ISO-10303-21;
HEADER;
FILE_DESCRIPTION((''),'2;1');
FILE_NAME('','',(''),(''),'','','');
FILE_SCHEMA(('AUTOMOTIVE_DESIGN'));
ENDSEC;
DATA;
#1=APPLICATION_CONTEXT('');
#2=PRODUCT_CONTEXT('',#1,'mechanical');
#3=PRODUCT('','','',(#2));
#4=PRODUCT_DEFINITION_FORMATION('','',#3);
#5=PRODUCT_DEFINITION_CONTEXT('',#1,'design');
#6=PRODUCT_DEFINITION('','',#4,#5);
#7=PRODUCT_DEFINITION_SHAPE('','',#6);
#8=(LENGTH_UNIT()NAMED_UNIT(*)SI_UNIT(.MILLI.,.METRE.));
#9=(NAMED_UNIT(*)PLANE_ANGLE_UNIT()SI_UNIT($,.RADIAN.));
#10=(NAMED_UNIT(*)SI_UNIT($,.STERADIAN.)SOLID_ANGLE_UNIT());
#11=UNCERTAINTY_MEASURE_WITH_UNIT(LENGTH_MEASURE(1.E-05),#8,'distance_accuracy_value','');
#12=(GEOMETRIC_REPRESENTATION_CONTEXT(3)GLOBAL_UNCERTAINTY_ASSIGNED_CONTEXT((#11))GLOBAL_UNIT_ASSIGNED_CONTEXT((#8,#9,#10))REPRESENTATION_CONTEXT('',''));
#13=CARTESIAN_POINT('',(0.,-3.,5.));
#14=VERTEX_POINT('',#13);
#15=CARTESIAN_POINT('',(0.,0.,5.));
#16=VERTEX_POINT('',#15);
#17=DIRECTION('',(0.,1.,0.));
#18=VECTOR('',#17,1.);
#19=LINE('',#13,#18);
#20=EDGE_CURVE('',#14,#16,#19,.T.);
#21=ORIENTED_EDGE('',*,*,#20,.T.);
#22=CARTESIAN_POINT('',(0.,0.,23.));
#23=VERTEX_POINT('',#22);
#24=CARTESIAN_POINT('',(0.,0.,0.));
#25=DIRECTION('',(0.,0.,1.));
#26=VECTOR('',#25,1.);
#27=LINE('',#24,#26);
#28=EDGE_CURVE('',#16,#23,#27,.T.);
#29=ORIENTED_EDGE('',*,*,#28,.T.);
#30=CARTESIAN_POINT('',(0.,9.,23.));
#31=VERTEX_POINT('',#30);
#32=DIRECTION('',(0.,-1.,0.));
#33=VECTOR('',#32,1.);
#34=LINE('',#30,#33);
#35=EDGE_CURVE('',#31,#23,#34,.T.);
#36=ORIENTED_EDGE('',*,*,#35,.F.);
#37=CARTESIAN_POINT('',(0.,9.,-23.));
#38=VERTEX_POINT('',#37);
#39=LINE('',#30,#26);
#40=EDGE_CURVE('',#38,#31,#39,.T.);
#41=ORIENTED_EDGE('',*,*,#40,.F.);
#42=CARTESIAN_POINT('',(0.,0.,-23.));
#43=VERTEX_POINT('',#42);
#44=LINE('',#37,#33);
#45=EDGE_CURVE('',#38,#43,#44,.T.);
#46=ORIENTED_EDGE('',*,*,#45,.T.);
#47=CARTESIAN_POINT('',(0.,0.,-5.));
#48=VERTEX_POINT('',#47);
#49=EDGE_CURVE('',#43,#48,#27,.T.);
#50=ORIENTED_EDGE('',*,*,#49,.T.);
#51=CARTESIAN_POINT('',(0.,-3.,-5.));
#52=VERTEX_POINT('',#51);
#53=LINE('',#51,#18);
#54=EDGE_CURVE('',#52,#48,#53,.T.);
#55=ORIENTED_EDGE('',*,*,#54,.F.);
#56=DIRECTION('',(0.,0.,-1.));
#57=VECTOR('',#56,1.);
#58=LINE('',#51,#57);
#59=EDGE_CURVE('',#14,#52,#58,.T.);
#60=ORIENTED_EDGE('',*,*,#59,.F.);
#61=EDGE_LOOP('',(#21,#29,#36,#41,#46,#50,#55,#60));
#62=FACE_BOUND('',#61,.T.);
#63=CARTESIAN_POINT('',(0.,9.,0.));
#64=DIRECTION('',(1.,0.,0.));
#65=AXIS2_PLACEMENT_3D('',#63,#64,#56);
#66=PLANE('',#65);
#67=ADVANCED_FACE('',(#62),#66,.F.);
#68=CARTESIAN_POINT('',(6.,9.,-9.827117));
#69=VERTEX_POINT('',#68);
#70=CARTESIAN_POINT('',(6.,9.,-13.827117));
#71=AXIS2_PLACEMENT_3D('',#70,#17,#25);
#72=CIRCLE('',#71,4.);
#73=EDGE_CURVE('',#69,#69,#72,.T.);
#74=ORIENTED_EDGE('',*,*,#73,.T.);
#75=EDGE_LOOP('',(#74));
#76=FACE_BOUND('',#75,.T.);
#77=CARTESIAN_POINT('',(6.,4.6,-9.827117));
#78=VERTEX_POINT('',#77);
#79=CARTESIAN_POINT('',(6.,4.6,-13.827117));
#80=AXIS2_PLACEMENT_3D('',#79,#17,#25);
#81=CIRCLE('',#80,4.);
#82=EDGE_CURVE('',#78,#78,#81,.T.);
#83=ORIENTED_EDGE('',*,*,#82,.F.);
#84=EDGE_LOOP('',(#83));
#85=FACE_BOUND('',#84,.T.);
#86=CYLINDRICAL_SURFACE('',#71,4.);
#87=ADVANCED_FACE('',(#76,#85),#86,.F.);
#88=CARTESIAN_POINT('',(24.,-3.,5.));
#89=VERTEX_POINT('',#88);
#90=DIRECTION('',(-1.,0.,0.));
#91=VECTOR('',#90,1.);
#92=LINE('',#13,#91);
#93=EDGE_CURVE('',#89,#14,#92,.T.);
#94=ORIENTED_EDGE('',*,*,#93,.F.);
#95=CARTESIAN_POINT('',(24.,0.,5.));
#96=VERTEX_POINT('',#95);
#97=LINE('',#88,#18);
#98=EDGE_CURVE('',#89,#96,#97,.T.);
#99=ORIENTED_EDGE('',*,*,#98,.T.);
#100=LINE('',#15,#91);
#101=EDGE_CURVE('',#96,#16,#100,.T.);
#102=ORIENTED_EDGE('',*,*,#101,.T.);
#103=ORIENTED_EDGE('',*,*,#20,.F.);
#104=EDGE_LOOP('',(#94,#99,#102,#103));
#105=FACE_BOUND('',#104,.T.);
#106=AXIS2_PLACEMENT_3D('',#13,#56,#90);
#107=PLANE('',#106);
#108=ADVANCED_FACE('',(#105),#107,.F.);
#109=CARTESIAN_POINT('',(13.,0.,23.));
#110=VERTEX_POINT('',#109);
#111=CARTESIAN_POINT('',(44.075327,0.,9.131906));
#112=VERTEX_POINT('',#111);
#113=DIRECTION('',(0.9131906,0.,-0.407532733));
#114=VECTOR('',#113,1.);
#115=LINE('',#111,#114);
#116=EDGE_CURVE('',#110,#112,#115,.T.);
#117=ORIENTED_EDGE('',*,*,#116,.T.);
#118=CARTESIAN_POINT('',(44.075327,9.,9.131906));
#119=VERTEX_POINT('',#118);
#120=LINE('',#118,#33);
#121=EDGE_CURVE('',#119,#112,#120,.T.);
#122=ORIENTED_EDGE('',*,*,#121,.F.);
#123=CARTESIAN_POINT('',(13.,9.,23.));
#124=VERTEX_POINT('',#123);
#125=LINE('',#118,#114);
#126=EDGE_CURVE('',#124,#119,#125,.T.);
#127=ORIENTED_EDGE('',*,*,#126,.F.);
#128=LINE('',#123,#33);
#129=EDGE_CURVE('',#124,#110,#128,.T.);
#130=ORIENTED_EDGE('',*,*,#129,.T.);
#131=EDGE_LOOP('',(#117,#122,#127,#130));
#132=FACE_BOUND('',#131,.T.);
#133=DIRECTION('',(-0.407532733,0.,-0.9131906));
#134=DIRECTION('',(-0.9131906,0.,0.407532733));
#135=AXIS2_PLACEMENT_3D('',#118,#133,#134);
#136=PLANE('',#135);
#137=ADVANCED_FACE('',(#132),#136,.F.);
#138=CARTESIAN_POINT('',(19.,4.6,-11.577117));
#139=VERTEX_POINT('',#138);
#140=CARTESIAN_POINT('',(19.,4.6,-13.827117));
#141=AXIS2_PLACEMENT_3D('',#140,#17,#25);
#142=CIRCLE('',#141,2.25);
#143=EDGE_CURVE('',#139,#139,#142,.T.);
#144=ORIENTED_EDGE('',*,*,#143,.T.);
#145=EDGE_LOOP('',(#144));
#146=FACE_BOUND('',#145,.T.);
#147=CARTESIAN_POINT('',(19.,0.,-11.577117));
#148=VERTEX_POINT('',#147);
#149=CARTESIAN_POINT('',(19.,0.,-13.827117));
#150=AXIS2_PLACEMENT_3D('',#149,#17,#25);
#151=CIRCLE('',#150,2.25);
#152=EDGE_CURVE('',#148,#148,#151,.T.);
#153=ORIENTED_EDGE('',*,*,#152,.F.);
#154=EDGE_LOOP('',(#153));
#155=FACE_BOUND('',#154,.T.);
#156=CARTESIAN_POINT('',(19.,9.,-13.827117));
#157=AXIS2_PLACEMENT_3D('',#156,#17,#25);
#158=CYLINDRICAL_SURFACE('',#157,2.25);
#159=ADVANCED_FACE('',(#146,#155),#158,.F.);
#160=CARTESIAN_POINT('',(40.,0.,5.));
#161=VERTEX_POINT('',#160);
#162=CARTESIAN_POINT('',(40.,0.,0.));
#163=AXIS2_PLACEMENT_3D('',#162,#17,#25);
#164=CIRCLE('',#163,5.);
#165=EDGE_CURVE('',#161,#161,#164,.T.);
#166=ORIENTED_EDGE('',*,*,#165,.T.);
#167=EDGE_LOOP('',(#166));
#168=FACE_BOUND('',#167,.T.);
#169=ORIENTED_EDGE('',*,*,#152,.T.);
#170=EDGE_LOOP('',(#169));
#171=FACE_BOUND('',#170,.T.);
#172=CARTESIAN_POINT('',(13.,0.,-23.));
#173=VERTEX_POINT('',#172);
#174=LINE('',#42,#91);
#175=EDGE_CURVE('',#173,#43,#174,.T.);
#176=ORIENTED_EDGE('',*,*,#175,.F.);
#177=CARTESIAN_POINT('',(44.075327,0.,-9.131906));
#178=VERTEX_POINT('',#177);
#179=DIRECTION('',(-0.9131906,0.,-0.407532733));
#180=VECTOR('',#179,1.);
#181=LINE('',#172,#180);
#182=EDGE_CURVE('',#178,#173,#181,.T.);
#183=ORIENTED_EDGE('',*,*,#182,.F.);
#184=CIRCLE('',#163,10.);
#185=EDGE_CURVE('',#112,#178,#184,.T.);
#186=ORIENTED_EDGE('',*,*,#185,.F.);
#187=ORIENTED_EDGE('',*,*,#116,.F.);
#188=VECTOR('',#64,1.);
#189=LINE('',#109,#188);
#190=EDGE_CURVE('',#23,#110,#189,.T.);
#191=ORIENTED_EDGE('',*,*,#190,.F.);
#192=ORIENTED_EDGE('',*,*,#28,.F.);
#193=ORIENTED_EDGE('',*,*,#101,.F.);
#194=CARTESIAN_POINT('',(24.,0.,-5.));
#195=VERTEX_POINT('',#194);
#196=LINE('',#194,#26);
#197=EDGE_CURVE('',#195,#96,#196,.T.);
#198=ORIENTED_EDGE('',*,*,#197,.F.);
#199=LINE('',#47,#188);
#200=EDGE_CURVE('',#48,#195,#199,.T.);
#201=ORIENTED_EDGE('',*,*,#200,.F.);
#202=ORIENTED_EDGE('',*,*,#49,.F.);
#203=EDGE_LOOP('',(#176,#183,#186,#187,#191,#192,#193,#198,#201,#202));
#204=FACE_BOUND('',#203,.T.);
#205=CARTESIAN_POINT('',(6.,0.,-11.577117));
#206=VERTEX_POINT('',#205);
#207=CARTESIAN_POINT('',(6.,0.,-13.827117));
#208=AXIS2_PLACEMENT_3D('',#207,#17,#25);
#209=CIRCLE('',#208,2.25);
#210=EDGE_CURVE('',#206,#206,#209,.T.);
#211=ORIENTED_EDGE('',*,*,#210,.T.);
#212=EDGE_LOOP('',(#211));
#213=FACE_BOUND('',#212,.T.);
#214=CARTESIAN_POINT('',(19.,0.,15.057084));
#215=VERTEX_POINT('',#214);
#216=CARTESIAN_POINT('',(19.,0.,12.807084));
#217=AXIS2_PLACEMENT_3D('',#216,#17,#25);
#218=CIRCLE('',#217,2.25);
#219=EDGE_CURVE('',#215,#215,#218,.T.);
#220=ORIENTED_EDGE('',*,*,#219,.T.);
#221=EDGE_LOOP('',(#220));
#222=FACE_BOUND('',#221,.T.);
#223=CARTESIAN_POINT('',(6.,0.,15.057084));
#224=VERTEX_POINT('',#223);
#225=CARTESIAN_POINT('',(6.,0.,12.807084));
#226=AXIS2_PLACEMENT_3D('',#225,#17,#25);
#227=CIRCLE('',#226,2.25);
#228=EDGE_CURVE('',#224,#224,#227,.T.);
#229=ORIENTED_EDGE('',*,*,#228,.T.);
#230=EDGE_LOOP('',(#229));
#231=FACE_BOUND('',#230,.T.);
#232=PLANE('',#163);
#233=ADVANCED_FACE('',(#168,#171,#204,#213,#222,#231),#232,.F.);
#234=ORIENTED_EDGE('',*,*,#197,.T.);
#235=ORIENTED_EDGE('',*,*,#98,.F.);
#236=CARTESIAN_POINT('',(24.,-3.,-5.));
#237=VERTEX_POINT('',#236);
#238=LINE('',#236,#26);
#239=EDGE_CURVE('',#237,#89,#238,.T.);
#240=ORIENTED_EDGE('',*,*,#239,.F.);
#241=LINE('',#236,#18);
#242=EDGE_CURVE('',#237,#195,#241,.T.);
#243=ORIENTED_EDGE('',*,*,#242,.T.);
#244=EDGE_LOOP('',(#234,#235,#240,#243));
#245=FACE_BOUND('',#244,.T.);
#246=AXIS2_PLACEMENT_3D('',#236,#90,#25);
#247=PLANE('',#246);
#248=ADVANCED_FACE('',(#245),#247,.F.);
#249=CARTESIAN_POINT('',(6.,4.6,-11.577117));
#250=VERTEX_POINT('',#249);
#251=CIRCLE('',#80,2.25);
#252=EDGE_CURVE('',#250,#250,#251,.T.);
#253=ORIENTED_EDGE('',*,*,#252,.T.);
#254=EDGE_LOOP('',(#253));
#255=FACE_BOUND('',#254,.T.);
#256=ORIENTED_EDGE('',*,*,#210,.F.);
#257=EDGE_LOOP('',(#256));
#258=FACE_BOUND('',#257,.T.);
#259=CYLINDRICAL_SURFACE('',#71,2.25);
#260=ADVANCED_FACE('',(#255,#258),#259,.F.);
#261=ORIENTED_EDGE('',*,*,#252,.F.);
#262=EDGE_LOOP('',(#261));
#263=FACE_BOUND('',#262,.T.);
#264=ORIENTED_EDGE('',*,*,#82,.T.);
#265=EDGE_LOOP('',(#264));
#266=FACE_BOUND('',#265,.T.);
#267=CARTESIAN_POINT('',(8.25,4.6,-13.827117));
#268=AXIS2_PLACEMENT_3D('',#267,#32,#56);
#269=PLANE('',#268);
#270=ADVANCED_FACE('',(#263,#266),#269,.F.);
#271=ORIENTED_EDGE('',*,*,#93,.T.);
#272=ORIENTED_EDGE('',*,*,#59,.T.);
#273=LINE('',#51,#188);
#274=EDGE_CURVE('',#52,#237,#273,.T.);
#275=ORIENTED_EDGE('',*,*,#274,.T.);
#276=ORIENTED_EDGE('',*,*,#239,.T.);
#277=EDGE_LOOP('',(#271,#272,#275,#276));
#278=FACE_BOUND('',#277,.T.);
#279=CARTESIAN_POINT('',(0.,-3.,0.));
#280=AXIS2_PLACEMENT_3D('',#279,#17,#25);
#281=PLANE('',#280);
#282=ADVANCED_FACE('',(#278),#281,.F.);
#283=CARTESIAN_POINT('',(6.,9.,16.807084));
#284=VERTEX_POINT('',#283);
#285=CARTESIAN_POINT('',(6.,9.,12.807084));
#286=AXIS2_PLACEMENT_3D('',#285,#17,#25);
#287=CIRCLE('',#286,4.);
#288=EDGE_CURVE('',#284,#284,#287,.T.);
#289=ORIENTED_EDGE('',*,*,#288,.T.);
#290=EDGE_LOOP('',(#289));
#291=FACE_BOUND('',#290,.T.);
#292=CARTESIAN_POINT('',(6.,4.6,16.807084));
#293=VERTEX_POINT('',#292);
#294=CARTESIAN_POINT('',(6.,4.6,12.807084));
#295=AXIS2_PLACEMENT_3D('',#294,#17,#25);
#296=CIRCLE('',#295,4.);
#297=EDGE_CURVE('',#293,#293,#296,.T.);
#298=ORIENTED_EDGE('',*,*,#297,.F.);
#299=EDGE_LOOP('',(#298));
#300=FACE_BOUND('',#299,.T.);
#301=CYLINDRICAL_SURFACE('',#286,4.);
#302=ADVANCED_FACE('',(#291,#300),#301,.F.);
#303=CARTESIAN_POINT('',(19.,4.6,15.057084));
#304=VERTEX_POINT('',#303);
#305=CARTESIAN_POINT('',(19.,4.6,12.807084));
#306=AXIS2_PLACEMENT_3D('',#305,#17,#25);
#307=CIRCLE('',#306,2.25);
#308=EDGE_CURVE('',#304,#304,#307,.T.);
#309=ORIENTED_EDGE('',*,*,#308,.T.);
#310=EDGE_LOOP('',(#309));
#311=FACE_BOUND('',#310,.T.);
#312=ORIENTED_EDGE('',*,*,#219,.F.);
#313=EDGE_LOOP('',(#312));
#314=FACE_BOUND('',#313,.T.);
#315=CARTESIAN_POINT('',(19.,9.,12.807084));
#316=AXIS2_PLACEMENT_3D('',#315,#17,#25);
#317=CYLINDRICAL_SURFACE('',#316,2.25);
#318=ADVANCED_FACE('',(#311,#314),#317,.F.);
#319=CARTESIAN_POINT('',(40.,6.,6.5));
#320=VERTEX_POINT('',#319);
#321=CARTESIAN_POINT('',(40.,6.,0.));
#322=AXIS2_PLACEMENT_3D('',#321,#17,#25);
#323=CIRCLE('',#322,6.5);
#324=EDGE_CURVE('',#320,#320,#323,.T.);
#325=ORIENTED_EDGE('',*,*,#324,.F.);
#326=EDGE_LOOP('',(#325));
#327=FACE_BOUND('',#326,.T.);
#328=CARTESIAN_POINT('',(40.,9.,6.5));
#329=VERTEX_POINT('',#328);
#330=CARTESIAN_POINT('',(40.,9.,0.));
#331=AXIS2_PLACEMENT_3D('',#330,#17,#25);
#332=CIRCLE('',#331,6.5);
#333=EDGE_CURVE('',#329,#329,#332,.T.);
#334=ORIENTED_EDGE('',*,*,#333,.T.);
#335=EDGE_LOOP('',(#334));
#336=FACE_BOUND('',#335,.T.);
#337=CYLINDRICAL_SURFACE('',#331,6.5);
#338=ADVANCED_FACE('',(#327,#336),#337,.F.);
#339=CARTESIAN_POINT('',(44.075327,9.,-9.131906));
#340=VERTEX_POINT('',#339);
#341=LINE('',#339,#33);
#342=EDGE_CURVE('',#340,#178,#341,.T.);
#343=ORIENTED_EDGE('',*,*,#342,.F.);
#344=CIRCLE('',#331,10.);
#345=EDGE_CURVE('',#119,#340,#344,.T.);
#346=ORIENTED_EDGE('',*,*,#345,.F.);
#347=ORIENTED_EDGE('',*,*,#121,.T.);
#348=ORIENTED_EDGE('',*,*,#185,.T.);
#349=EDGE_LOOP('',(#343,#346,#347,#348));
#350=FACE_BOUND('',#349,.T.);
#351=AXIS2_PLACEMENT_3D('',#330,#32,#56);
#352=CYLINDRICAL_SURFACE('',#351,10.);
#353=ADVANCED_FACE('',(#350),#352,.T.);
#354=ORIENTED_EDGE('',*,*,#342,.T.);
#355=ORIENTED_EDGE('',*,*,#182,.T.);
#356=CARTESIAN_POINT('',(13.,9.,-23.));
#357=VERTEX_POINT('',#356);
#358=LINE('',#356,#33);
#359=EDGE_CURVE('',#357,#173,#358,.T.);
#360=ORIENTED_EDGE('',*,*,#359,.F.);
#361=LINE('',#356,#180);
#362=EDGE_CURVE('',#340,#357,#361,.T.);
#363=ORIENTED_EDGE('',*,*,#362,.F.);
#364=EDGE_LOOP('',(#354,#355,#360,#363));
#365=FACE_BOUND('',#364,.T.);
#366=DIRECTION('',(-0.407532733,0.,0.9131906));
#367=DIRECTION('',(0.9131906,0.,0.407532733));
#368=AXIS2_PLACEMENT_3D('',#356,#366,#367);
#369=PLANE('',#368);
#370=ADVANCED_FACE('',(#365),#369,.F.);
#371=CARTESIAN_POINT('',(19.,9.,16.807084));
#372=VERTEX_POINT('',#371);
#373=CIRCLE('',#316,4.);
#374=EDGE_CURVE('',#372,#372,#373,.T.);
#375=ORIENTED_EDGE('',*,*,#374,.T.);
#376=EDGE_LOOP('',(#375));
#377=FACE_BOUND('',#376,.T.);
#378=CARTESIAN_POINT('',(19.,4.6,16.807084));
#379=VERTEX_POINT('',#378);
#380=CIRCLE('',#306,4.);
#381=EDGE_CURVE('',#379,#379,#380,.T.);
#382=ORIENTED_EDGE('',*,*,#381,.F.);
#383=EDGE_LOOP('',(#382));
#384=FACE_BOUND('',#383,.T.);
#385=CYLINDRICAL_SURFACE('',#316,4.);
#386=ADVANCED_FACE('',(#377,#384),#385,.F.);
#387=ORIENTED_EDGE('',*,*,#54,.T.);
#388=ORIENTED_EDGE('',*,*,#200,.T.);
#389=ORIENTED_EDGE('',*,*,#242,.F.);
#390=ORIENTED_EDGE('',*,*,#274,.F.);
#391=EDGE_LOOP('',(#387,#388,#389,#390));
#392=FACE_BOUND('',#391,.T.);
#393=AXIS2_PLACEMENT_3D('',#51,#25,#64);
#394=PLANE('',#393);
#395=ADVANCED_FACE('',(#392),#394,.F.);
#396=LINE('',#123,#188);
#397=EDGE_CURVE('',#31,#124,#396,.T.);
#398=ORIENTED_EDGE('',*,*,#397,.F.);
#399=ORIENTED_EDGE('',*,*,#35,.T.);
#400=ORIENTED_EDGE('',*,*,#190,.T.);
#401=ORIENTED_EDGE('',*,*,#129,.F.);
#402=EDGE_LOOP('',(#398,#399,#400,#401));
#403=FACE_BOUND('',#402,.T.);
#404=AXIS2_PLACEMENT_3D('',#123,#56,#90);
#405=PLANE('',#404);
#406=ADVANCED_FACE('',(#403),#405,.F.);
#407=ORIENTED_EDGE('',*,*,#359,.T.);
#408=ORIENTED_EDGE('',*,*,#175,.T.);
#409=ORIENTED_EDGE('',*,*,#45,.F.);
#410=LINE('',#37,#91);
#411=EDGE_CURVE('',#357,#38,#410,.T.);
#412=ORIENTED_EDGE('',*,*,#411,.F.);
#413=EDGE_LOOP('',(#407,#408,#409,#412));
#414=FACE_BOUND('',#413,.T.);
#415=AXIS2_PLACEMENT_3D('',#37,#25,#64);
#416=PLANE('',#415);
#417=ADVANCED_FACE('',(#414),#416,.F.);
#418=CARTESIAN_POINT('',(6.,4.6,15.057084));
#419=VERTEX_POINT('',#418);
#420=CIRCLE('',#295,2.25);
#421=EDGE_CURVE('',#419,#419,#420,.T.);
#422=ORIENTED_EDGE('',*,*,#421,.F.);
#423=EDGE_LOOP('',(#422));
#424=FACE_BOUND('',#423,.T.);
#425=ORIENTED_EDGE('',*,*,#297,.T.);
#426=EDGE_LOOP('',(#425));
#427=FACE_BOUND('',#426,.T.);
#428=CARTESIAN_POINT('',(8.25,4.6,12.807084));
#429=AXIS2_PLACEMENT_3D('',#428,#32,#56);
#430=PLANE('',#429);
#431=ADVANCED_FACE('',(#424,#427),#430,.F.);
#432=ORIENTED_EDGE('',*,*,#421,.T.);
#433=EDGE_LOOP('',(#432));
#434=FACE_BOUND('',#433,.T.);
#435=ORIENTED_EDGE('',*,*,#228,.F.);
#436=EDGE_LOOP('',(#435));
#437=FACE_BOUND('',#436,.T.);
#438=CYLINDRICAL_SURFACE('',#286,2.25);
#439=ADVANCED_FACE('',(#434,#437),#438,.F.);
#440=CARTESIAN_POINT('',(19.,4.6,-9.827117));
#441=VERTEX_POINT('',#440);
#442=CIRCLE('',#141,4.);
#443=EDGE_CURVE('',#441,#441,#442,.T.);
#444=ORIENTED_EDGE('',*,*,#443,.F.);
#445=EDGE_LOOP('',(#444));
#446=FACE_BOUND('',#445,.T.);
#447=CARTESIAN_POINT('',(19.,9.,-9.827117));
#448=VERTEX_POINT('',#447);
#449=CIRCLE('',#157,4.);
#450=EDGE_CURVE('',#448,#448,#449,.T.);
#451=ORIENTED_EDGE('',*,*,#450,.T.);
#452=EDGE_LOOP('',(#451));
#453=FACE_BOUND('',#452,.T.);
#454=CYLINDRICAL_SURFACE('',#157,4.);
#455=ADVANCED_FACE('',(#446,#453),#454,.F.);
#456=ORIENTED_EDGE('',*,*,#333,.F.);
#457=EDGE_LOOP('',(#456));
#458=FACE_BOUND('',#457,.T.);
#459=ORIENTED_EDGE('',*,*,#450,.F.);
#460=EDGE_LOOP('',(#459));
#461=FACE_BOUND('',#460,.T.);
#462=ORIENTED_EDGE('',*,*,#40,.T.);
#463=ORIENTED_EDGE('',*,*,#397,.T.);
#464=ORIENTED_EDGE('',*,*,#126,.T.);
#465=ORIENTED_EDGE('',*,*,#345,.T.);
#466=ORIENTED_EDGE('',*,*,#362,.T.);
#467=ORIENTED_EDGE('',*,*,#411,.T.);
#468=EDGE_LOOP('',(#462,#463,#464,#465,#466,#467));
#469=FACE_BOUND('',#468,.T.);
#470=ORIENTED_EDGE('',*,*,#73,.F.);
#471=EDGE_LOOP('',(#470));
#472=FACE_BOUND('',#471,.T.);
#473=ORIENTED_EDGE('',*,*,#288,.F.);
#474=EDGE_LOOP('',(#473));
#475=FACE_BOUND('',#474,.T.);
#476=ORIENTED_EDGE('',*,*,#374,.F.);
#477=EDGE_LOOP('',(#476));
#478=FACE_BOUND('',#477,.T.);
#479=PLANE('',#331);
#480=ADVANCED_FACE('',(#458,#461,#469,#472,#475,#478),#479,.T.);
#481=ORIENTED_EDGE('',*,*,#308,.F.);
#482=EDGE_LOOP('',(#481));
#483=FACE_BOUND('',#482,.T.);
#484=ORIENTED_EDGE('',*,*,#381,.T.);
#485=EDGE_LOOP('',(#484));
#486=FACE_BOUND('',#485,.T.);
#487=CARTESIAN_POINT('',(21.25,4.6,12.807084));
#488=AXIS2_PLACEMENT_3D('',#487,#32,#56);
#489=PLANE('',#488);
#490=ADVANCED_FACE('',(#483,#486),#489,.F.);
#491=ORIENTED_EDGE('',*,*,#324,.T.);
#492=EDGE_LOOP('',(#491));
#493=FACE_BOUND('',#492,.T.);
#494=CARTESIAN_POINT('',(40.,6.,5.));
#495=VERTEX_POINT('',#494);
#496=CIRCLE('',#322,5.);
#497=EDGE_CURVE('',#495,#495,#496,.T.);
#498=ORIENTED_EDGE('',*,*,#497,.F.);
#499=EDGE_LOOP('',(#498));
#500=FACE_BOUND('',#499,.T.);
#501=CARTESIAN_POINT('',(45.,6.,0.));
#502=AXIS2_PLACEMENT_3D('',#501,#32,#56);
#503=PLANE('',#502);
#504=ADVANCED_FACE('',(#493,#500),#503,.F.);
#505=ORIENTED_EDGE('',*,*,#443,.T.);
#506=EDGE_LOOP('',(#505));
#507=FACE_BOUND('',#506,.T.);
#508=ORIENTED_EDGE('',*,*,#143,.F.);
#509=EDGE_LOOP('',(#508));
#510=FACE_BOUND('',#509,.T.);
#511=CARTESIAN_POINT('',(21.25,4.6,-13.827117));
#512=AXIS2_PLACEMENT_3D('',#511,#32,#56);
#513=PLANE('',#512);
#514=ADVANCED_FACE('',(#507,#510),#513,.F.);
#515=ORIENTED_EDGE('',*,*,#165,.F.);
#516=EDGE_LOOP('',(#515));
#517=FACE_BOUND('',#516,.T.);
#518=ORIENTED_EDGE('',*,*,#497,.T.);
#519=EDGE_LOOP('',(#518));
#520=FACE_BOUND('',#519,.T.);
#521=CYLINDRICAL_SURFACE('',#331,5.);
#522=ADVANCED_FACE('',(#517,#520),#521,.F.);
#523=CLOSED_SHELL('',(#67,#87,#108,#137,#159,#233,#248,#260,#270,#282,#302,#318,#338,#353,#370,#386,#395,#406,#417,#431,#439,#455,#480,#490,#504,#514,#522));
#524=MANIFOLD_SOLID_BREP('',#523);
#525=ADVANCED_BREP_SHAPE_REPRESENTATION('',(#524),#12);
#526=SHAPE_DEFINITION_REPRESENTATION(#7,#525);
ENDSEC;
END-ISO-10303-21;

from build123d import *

# Parameters (mm, degrees)
EXTRUDE_1_DEPTH              = 9
SKETCH_2_W                   = 24
SKETCH_2_H                   = 10
EXTRUDE_2_DEPTH              = 3
HOLE_WIZARD_M4_1_D           = 4.5
HOLE_WIZARD_M4_1_DEPTH       = 9
HOLE_WIZARD_M4_1_CBORE_D     = 8
HOLE_WIZARD_M4_1_CBORE_DEPTH = 4.4
HOLE_WIZARD_M4_1_TIP         = 1.351936393
HOLE_WIZARD_M4_2_D           = 10
HOLE_WIZARD_M4_2_CBORE_D     = 13
HOLE_WIZARD_M4_2_CBORE_DEPTH = 3


with BuildPart() as part:
    # 스케치1 → 보스-돌출1 (new body)
    with BuildSketch(Plane(origin=(0, 0, 0), x_dir=(1, 0, 0), z_dir=(0, 1, 0))):
        with BuildLine():
            Line((0, 0), (0, 23))
            Line((0, 23), (13, 23))
            Line((13, 23), (44.075327331, 9.131905997))
            ThreePointArc((44.075327331, 9.131905997), (50, 0), (44.075327331, -9.131905997))
            Line((44.075327331, -9.131905997), (13, -23))
            Line((13, -23), (0, -23))
            Line((0, -23), (0, 0))
        make_face()
    extrude(amount=EXTRUDE_1_DEPTH)

    # 스케치2 → 보스-돌출2 (add)
    with BuildSketch(Plane.XZ):
        with Locations((12, 0)):
            Rectangle(SKETCH_2_W, SKETCH_2_H)
    extrude(amount=EXTRUDE_2_DEPTH)

    # M4 소켓 머리 캡 나사용 카운터보어1
    with Locations(Plane(origin=(0, 9, 0), x_dir=(1, 0, 0), z_dir=(0, 1, 0))):
        with Locations((6, 13.827116768), (19, 13.827116768), (6, -12.807083564), (19, -12.807083564)):
            CounterBoreHole(HOLE_WIZARD_M4_1_D / 2, HOLE_WIZARD_M4_1_CBORE_D / 2, HOLE_WIZARD_M4_1_CBORE_DEPTH, depth=HOLE_WIZARD_M4_1_DEPTH)
            with Locations((0, 0, -(HOLE_WIZARD_M4_1_DEPTH + HOLE_WIZARD_M4_1_TIP / 2))):  # 118° drill point
                Cone(0, HOLE_WIZARD_M4_1_D / 2, HOLE_WIZARD_M4_1_TIP, mode=Mode.SUBTRACT)

    # M4 소켓 머리 캡 나사용 카운터보어2 (through all)
    with Locations(Plane(origin=(0, 9, 0), x_dir=(1, 0, 0), z_dir=(0, 1, 0))):
        with Locations((40, 0)):
            CounterBoreHole(HOLE_WIZARD_M4_2_D / 2, HOLE_WIZARD_M4_2_CBORE_D / 2, HOLE_WIZARD_M4_2_CBORE_DEPTH)


solid = part.part
